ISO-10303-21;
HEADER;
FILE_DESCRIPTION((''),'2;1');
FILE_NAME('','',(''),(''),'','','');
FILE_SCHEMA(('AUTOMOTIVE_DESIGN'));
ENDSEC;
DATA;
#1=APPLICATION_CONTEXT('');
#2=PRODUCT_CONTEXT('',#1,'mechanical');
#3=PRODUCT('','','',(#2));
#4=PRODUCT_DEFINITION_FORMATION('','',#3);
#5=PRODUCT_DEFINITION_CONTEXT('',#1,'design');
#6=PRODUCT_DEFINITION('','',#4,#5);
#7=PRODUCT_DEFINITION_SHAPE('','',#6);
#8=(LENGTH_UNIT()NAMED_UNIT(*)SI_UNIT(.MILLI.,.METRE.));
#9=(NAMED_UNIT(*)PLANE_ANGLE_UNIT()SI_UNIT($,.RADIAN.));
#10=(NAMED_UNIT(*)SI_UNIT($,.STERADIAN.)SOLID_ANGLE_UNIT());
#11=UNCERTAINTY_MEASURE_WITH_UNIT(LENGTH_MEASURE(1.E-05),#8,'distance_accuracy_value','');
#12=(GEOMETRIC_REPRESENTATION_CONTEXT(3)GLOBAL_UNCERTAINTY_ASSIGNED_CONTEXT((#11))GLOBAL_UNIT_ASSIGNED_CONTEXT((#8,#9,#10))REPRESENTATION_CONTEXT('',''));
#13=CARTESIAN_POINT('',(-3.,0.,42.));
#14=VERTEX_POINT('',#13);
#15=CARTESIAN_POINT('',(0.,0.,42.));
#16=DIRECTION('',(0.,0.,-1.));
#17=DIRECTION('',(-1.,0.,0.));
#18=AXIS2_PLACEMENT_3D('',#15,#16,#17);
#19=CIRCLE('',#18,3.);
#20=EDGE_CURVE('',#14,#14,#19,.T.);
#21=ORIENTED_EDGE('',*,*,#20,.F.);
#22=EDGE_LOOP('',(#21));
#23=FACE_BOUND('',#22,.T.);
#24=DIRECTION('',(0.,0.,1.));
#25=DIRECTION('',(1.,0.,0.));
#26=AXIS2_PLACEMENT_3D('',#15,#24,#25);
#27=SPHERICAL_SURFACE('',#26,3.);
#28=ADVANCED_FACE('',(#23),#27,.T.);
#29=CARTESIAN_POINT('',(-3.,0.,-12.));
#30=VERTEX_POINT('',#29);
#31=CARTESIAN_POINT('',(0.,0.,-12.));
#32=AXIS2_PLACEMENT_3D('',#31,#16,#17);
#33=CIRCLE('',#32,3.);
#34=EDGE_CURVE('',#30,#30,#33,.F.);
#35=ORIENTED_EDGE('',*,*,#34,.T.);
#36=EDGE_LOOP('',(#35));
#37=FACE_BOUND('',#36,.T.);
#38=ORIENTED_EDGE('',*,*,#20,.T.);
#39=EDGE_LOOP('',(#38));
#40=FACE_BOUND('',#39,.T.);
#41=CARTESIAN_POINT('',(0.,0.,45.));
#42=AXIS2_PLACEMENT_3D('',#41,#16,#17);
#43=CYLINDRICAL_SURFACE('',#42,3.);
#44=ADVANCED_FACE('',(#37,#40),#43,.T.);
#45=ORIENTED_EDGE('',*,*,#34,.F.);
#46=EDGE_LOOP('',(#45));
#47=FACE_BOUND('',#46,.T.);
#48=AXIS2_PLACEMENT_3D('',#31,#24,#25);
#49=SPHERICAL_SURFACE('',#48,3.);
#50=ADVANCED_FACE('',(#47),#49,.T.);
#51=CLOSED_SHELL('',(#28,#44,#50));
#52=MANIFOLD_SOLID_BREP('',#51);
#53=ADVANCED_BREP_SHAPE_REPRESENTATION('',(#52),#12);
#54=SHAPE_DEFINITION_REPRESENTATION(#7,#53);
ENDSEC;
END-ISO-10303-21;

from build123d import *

# Parameters (mm, degrees)
SKETCH1_R           = 1.5
BOSS_EXTRUDE1_DEPTH = 30
FILLET1_R           = 1.5
SCALE1_SCALE        = 2


with BuildPart() as part:
    # Sketch1 → Boss-Extrude1 (new body)
    with BuildSketch(Plane.XY):
        Circle(SKETCH1_R)
    extrude(amount=BOSS_EXTRUDE1_DEPTH)

    # Fillet1
    fillet1_edges = [part.edges().sort_by_distance(p)[0] for p in [
        (-1.5, 0, 0),
        (-1.5, 0, 30),
    ]]
    fillet(fillet1_edges, radius=FILLET1_R)


with BuildPart() as part_1:
    # Scale1: scaled about (0, 0, 15)
    add(part.part.scale(SCALE1_SCALE).moved(Location((0, 0, -15))))


solid = part_1.part
